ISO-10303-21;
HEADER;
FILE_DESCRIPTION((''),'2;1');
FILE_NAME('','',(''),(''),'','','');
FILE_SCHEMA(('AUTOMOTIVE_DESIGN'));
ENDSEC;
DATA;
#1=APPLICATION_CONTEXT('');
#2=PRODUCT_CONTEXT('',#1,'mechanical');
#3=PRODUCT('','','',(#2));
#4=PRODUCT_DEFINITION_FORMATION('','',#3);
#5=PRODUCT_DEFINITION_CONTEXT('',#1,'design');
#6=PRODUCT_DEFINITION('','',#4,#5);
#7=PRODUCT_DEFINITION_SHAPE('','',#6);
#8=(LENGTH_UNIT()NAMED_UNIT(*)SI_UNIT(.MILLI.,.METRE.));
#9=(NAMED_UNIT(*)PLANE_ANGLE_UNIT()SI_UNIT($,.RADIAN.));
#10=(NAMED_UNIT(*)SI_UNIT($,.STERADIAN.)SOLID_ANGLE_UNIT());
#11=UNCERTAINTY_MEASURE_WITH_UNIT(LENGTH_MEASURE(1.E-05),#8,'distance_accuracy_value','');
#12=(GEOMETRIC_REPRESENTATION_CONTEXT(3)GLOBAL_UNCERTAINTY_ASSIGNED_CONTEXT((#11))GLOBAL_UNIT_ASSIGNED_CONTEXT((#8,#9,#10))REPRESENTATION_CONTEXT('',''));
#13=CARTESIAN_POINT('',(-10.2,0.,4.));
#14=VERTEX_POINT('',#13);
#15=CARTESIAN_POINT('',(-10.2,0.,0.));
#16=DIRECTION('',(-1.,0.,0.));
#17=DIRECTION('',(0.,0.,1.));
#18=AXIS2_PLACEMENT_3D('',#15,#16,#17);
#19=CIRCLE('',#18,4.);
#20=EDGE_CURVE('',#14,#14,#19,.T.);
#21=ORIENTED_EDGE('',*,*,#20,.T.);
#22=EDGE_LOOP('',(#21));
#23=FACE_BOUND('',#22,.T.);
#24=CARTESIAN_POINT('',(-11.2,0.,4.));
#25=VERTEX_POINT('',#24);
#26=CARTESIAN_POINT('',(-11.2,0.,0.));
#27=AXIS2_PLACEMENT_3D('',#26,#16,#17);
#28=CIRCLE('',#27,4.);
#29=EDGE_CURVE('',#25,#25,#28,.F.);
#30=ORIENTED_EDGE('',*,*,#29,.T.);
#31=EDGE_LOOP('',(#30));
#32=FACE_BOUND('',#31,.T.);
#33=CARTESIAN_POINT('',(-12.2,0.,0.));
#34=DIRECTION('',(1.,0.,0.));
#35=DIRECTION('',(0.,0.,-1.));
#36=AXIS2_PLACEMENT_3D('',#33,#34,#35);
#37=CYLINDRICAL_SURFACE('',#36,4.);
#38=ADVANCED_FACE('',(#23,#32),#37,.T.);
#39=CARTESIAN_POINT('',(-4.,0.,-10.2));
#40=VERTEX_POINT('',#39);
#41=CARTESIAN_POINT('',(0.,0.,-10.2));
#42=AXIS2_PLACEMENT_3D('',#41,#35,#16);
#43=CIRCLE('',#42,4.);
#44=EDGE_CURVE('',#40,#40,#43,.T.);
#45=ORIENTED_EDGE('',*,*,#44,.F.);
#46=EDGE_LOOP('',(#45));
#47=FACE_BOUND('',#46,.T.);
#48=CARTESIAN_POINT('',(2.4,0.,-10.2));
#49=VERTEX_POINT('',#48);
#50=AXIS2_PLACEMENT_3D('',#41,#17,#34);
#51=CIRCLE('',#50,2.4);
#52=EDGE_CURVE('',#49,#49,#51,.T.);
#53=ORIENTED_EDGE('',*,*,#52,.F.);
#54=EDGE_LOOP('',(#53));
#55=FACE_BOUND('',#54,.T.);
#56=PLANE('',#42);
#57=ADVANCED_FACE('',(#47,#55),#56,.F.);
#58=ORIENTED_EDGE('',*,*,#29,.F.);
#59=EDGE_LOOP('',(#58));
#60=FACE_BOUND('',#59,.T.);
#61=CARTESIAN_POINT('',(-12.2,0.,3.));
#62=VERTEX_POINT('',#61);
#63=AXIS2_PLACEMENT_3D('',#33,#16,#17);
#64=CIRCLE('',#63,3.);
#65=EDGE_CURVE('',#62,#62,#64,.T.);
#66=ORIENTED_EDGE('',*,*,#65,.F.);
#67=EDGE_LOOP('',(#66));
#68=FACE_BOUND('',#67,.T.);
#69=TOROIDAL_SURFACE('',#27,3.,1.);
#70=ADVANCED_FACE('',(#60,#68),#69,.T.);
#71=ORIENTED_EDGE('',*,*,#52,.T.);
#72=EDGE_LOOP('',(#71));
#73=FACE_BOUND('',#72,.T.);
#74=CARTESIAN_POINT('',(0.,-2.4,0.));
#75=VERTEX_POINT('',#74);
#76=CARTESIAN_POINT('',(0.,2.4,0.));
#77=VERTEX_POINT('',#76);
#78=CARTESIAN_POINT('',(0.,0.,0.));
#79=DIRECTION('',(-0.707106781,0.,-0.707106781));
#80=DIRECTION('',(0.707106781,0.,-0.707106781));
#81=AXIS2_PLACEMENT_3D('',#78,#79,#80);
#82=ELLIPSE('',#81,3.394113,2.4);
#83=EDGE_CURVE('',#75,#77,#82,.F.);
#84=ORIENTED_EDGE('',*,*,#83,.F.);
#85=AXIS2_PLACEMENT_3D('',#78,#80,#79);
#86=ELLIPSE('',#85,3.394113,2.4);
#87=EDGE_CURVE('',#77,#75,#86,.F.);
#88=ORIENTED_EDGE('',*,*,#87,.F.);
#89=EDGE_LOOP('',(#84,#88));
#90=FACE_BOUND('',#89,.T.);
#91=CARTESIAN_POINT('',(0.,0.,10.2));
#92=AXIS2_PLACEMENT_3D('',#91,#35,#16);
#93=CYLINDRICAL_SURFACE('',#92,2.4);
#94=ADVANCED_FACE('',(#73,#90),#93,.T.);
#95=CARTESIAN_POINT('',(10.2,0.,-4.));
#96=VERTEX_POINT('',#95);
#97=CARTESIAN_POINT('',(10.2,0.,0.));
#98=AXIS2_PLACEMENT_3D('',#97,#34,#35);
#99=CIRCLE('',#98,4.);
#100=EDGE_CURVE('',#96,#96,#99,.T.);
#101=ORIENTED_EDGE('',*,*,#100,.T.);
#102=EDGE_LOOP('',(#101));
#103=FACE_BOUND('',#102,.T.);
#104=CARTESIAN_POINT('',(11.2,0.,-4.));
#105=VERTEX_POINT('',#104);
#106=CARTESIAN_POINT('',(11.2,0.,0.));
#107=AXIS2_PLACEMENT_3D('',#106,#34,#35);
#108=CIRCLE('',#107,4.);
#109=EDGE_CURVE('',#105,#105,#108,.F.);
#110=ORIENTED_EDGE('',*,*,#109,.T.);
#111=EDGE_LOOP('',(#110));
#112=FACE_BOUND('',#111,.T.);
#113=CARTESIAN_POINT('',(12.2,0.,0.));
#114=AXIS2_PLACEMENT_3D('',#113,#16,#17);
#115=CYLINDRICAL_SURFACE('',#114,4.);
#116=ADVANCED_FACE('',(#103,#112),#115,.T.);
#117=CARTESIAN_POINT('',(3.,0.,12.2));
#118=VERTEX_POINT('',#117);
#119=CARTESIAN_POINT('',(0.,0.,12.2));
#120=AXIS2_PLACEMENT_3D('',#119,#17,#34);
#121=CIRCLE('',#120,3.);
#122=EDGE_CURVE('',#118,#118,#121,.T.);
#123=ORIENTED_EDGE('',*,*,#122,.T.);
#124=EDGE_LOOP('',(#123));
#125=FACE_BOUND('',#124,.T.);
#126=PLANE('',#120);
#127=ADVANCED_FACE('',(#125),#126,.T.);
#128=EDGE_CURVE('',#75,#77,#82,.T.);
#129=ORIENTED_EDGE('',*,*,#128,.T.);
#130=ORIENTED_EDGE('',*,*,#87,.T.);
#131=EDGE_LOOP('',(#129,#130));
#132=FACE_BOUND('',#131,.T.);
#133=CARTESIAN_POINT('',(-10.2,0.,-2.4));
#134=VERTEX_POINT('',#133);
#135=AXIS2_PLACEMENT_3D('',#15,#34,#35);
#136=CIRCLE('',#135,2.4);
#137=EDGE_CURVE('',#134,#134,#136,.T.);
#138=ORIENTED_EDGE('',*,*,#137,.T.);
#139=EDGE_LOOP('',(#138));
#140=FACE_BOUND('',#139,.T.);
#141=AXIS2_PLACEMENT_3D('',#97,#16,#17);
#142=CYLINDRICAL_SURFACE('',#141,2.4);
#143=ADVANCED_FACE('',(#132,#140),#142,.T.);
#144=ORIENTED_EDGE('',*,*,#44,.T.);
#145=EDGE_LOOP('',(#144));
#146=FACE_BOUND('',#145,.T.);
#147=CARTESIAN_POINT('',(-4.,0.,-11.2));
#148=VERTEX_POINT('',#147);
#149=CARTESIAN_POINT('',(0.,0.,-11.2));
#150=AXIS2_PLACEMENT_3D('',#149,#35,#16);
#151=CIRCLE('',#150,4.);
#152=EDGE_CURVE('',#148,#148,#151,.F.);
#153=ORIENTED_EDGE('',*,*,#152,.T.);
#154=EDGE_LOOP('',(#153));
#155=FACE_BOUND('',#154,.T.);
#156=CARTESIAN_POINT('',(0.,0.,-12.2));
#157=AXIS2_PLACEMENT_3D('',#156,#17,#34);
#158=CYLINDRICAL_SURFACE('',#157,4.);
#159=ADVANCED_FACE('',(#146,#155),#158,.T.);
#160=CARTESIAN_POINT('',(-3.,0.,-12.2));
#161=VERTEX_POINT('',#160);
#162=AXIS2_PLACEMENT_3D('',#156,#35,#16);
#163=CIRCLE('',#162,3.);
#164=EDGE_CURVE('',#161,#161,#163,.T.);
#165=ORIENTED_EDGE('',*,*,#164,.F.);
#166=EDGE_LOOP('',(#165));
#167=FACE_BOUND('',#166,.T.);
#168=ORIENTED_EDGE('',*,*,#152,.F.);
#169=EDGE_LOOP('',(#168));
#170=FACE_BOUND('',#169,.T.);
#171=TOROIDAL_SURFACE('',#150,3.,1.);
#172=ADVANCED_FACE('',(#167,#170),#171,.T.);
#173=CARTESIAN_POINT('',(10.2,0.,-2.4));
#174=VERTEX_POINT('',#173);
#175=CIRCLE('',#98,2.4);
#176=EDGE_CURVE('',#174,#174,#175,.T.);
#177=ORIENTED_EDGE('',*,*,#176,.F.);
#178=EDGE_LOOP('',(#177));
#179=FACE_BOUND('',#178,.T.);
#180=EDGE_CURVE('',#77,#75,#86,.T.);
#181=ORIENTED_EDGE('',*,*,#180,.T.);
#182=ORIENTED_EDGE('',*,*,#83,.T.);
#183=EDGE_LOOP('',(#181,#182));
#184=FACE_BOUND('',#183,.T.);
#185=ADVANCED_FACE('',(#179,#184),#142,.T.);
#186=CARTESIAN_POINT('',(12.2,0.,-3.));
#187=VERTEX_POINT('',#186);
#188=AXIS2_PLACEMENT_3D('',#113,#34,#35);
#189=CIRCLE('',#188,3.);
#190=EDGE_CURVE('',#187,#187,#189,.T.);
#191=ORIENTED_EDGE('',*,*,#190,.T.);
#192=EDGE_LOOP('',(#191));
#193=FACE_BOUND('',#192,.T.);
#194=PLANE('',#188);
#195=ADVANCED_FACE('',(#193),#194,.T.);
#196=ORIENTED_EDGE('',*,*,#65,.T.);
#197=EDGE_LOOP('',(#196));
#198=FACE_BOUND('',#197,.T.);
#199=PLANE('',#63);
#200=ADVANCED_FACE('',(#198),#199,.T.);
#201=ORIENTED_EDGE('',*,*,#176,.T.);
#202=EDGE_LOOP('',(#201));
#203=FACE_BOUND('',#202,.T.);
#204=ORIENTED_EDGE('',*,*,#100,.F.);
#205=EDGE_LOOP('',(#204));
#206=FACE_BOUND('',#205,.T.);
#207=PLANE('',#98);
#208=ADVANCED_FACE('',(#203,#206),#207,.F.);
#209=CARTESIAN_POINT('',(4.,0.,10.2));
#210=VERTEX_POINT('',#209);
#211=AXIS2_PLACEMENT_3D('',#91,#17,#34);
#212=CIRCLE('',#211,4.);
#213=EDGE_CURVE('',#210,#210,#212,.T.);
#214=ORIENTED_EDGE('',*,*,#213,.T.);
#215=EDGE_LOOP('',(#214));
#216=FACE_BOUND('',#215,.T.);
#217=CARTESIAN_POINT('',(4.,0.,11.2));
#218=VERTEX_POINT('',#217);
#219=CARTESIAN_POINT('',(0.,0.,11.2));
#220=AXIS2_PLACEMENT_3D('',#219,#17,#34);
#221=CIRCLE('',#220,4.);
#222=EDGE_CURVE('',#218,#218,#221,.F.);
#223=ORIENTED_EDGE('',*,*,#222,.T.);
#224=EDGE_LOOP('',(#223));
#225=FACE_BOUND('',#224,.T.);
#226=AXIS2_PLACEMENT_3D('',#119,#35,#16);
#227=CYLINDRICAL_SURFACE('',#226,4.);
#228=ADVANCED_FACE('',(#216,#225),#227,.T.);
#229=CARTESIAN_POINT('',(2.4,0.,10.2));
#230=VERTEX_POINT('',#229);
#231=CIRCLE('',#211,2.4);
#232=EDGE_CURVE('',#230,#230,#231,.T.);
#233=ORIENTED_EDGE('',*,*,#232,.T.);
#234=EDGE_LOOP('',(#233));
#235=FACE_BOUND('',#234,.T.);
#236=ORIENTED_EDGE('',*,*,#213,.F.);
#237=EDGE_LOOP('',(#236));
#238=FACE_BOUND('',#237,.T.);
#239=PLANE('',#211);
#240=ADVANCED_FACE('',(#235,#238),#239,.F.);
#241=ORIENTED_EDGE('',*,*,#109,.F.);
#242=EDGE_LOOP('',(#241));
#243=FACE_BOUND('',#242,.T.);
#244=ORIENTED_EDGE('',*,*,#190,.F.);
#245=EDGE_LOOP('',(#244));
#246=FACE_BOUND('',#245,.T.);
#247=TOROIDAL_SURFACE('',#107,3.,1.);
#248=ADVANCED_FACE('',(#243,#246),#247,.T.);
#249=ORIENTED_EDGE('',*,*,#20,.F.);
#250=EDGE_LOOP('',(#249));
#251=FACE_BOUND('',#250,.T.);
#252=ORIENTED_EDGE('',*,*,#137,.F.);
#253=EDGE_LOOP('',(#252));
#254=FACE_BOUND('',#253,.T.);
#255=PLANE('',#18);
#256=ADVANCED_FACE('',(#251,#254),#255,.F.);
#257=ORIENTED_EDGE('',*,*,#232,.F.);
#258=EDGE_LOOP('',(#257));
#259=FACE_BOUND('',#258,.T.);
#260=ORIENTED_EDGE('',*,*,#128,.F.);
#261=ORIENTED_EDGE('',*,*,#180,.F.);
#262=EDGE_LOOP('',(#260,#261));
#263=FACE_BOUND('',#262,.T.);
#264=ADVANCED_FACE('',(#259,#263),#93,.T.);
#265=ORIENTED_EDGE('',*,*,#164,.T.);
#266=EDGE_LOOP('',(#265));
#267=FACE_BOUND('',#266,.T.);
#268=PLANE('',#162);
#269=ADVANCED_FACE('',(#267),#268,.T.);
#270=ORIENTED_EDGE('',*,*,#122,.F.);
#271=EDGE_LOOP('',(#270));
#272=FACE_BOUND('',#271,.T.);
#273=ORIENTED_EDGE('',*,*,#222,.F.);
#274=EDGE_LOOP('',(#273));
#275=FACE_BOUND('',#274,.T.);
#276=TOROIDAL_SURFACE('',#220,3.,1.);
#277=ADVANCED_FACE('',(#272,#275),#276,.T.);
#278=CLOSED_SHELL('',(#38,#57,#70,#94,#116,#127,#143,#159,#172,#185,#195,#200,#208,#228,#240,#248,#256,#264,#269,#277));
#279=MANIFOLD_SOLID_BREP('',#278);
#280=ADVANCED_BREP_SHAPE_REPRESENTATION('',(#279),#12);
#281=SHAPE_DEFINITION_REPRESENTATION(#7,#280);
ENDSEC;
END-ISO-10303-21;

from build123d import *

# Parameters (mm, degrees)
ESQUISSE1_R        = 2.4
BOSS_EXTRU_1_DEPTH = 10.2
ESQUISSE3_R        = 2.4
BOSS_EXTRU_2_DEPTH = 10.2
ESQUISSE4_R        = 4
BOSS_EXTRU_3_DEPTH = 2
ESQUISSE5_R        = 4
BOSS_EXTRU_4_DEPTH = 2
ESQUISSE6_R        = 4
BOSS_EXTRU_5_DEPTH = 2
ESQUISSE7_R        = 4
BOSS_EXTRU_6_DEPTH = 2
CONG_1_R           = 1


with BuildPart() as part:
    # Esquisse1 → Boss.-Extru.1 (new body, symmetric)
    with BuildSketch(Plane.XY):
        Circle(ESQUISSE1_R)
    extrude(amount=BOSS_EXTRU_1_DEPTH, both=True)

    # Esquisse3 → Boss.-Extru.2 (add, symmetric)
    with BuildSketch(Plane(origin=(0, 0, 0), x_dir=(0, 0, -1), z_dir=(1, 0, 0))):
        with Locations(Location((0, 0, 0), (0, 0, 270))):  # turned: the seam where the file's is
            Circle(ESQUISSE3_R)
    extrude(amount=BOSS_EXTRU_2_DEPTH, both=True)

    # Esquisse4 → Boss.-Extru.3 (add)
    with BuildSketch(Plane(origin=(10.2, 0, 0), x_dir=(0, 0, -1), z_dir=(1, 0, 0))):
        Circle(ESQUISSE4_R)
    extrude(amount=BOSS_EXTRU_3_DEPTH)

    # Esquisse5 → Boss.-Extru.4 (add)
    with BuildSketch(Plane.ZY.offset(10.2)):
        with Locations(Location((0, 0, 0), (0, 0, 180))):  # turned: the seam where the file's is
            Circle(ESQUISSE5_R)
    extrude(amount=BOSS_EXTRU_4_DEPTH)

    # Esquisse6 → Boss.-Extru.5 (add)
    with BuildSketch(Plane.XY.offset(10.2)):
        Circle(ESQUISSE6_R)
    extrude(amount=BOSS_EXTRU_5_DEPTH)

    # Esquisse7 → Boss.-Extru.6 (add)
    with BuildSketch(Plane(origin=(0, 0, -10.2), x_dir=(-1, 0, 0), z_dir=(0, 0, -1))):
        with Locations(Location((0, 0, 0), (0, 0, 180))):  # turned: the seam where the file's is
            Circle(ESQUISSE7_R)
    extrude(amount=BOSS_EXTRU_6_DEPTH)

    # Congé1
    cong_1_edges = [part.edges().sort_by_distance(p)[0] for p in [
        (12.2, 0, 4),
        (-12.2, 0, 4),
        (-4, 0, 12.2),
        (-4, 0, -12.2),
    ]]
    fillet(cong_1_edges, radius=CONG_1_R)


solid = part.part
